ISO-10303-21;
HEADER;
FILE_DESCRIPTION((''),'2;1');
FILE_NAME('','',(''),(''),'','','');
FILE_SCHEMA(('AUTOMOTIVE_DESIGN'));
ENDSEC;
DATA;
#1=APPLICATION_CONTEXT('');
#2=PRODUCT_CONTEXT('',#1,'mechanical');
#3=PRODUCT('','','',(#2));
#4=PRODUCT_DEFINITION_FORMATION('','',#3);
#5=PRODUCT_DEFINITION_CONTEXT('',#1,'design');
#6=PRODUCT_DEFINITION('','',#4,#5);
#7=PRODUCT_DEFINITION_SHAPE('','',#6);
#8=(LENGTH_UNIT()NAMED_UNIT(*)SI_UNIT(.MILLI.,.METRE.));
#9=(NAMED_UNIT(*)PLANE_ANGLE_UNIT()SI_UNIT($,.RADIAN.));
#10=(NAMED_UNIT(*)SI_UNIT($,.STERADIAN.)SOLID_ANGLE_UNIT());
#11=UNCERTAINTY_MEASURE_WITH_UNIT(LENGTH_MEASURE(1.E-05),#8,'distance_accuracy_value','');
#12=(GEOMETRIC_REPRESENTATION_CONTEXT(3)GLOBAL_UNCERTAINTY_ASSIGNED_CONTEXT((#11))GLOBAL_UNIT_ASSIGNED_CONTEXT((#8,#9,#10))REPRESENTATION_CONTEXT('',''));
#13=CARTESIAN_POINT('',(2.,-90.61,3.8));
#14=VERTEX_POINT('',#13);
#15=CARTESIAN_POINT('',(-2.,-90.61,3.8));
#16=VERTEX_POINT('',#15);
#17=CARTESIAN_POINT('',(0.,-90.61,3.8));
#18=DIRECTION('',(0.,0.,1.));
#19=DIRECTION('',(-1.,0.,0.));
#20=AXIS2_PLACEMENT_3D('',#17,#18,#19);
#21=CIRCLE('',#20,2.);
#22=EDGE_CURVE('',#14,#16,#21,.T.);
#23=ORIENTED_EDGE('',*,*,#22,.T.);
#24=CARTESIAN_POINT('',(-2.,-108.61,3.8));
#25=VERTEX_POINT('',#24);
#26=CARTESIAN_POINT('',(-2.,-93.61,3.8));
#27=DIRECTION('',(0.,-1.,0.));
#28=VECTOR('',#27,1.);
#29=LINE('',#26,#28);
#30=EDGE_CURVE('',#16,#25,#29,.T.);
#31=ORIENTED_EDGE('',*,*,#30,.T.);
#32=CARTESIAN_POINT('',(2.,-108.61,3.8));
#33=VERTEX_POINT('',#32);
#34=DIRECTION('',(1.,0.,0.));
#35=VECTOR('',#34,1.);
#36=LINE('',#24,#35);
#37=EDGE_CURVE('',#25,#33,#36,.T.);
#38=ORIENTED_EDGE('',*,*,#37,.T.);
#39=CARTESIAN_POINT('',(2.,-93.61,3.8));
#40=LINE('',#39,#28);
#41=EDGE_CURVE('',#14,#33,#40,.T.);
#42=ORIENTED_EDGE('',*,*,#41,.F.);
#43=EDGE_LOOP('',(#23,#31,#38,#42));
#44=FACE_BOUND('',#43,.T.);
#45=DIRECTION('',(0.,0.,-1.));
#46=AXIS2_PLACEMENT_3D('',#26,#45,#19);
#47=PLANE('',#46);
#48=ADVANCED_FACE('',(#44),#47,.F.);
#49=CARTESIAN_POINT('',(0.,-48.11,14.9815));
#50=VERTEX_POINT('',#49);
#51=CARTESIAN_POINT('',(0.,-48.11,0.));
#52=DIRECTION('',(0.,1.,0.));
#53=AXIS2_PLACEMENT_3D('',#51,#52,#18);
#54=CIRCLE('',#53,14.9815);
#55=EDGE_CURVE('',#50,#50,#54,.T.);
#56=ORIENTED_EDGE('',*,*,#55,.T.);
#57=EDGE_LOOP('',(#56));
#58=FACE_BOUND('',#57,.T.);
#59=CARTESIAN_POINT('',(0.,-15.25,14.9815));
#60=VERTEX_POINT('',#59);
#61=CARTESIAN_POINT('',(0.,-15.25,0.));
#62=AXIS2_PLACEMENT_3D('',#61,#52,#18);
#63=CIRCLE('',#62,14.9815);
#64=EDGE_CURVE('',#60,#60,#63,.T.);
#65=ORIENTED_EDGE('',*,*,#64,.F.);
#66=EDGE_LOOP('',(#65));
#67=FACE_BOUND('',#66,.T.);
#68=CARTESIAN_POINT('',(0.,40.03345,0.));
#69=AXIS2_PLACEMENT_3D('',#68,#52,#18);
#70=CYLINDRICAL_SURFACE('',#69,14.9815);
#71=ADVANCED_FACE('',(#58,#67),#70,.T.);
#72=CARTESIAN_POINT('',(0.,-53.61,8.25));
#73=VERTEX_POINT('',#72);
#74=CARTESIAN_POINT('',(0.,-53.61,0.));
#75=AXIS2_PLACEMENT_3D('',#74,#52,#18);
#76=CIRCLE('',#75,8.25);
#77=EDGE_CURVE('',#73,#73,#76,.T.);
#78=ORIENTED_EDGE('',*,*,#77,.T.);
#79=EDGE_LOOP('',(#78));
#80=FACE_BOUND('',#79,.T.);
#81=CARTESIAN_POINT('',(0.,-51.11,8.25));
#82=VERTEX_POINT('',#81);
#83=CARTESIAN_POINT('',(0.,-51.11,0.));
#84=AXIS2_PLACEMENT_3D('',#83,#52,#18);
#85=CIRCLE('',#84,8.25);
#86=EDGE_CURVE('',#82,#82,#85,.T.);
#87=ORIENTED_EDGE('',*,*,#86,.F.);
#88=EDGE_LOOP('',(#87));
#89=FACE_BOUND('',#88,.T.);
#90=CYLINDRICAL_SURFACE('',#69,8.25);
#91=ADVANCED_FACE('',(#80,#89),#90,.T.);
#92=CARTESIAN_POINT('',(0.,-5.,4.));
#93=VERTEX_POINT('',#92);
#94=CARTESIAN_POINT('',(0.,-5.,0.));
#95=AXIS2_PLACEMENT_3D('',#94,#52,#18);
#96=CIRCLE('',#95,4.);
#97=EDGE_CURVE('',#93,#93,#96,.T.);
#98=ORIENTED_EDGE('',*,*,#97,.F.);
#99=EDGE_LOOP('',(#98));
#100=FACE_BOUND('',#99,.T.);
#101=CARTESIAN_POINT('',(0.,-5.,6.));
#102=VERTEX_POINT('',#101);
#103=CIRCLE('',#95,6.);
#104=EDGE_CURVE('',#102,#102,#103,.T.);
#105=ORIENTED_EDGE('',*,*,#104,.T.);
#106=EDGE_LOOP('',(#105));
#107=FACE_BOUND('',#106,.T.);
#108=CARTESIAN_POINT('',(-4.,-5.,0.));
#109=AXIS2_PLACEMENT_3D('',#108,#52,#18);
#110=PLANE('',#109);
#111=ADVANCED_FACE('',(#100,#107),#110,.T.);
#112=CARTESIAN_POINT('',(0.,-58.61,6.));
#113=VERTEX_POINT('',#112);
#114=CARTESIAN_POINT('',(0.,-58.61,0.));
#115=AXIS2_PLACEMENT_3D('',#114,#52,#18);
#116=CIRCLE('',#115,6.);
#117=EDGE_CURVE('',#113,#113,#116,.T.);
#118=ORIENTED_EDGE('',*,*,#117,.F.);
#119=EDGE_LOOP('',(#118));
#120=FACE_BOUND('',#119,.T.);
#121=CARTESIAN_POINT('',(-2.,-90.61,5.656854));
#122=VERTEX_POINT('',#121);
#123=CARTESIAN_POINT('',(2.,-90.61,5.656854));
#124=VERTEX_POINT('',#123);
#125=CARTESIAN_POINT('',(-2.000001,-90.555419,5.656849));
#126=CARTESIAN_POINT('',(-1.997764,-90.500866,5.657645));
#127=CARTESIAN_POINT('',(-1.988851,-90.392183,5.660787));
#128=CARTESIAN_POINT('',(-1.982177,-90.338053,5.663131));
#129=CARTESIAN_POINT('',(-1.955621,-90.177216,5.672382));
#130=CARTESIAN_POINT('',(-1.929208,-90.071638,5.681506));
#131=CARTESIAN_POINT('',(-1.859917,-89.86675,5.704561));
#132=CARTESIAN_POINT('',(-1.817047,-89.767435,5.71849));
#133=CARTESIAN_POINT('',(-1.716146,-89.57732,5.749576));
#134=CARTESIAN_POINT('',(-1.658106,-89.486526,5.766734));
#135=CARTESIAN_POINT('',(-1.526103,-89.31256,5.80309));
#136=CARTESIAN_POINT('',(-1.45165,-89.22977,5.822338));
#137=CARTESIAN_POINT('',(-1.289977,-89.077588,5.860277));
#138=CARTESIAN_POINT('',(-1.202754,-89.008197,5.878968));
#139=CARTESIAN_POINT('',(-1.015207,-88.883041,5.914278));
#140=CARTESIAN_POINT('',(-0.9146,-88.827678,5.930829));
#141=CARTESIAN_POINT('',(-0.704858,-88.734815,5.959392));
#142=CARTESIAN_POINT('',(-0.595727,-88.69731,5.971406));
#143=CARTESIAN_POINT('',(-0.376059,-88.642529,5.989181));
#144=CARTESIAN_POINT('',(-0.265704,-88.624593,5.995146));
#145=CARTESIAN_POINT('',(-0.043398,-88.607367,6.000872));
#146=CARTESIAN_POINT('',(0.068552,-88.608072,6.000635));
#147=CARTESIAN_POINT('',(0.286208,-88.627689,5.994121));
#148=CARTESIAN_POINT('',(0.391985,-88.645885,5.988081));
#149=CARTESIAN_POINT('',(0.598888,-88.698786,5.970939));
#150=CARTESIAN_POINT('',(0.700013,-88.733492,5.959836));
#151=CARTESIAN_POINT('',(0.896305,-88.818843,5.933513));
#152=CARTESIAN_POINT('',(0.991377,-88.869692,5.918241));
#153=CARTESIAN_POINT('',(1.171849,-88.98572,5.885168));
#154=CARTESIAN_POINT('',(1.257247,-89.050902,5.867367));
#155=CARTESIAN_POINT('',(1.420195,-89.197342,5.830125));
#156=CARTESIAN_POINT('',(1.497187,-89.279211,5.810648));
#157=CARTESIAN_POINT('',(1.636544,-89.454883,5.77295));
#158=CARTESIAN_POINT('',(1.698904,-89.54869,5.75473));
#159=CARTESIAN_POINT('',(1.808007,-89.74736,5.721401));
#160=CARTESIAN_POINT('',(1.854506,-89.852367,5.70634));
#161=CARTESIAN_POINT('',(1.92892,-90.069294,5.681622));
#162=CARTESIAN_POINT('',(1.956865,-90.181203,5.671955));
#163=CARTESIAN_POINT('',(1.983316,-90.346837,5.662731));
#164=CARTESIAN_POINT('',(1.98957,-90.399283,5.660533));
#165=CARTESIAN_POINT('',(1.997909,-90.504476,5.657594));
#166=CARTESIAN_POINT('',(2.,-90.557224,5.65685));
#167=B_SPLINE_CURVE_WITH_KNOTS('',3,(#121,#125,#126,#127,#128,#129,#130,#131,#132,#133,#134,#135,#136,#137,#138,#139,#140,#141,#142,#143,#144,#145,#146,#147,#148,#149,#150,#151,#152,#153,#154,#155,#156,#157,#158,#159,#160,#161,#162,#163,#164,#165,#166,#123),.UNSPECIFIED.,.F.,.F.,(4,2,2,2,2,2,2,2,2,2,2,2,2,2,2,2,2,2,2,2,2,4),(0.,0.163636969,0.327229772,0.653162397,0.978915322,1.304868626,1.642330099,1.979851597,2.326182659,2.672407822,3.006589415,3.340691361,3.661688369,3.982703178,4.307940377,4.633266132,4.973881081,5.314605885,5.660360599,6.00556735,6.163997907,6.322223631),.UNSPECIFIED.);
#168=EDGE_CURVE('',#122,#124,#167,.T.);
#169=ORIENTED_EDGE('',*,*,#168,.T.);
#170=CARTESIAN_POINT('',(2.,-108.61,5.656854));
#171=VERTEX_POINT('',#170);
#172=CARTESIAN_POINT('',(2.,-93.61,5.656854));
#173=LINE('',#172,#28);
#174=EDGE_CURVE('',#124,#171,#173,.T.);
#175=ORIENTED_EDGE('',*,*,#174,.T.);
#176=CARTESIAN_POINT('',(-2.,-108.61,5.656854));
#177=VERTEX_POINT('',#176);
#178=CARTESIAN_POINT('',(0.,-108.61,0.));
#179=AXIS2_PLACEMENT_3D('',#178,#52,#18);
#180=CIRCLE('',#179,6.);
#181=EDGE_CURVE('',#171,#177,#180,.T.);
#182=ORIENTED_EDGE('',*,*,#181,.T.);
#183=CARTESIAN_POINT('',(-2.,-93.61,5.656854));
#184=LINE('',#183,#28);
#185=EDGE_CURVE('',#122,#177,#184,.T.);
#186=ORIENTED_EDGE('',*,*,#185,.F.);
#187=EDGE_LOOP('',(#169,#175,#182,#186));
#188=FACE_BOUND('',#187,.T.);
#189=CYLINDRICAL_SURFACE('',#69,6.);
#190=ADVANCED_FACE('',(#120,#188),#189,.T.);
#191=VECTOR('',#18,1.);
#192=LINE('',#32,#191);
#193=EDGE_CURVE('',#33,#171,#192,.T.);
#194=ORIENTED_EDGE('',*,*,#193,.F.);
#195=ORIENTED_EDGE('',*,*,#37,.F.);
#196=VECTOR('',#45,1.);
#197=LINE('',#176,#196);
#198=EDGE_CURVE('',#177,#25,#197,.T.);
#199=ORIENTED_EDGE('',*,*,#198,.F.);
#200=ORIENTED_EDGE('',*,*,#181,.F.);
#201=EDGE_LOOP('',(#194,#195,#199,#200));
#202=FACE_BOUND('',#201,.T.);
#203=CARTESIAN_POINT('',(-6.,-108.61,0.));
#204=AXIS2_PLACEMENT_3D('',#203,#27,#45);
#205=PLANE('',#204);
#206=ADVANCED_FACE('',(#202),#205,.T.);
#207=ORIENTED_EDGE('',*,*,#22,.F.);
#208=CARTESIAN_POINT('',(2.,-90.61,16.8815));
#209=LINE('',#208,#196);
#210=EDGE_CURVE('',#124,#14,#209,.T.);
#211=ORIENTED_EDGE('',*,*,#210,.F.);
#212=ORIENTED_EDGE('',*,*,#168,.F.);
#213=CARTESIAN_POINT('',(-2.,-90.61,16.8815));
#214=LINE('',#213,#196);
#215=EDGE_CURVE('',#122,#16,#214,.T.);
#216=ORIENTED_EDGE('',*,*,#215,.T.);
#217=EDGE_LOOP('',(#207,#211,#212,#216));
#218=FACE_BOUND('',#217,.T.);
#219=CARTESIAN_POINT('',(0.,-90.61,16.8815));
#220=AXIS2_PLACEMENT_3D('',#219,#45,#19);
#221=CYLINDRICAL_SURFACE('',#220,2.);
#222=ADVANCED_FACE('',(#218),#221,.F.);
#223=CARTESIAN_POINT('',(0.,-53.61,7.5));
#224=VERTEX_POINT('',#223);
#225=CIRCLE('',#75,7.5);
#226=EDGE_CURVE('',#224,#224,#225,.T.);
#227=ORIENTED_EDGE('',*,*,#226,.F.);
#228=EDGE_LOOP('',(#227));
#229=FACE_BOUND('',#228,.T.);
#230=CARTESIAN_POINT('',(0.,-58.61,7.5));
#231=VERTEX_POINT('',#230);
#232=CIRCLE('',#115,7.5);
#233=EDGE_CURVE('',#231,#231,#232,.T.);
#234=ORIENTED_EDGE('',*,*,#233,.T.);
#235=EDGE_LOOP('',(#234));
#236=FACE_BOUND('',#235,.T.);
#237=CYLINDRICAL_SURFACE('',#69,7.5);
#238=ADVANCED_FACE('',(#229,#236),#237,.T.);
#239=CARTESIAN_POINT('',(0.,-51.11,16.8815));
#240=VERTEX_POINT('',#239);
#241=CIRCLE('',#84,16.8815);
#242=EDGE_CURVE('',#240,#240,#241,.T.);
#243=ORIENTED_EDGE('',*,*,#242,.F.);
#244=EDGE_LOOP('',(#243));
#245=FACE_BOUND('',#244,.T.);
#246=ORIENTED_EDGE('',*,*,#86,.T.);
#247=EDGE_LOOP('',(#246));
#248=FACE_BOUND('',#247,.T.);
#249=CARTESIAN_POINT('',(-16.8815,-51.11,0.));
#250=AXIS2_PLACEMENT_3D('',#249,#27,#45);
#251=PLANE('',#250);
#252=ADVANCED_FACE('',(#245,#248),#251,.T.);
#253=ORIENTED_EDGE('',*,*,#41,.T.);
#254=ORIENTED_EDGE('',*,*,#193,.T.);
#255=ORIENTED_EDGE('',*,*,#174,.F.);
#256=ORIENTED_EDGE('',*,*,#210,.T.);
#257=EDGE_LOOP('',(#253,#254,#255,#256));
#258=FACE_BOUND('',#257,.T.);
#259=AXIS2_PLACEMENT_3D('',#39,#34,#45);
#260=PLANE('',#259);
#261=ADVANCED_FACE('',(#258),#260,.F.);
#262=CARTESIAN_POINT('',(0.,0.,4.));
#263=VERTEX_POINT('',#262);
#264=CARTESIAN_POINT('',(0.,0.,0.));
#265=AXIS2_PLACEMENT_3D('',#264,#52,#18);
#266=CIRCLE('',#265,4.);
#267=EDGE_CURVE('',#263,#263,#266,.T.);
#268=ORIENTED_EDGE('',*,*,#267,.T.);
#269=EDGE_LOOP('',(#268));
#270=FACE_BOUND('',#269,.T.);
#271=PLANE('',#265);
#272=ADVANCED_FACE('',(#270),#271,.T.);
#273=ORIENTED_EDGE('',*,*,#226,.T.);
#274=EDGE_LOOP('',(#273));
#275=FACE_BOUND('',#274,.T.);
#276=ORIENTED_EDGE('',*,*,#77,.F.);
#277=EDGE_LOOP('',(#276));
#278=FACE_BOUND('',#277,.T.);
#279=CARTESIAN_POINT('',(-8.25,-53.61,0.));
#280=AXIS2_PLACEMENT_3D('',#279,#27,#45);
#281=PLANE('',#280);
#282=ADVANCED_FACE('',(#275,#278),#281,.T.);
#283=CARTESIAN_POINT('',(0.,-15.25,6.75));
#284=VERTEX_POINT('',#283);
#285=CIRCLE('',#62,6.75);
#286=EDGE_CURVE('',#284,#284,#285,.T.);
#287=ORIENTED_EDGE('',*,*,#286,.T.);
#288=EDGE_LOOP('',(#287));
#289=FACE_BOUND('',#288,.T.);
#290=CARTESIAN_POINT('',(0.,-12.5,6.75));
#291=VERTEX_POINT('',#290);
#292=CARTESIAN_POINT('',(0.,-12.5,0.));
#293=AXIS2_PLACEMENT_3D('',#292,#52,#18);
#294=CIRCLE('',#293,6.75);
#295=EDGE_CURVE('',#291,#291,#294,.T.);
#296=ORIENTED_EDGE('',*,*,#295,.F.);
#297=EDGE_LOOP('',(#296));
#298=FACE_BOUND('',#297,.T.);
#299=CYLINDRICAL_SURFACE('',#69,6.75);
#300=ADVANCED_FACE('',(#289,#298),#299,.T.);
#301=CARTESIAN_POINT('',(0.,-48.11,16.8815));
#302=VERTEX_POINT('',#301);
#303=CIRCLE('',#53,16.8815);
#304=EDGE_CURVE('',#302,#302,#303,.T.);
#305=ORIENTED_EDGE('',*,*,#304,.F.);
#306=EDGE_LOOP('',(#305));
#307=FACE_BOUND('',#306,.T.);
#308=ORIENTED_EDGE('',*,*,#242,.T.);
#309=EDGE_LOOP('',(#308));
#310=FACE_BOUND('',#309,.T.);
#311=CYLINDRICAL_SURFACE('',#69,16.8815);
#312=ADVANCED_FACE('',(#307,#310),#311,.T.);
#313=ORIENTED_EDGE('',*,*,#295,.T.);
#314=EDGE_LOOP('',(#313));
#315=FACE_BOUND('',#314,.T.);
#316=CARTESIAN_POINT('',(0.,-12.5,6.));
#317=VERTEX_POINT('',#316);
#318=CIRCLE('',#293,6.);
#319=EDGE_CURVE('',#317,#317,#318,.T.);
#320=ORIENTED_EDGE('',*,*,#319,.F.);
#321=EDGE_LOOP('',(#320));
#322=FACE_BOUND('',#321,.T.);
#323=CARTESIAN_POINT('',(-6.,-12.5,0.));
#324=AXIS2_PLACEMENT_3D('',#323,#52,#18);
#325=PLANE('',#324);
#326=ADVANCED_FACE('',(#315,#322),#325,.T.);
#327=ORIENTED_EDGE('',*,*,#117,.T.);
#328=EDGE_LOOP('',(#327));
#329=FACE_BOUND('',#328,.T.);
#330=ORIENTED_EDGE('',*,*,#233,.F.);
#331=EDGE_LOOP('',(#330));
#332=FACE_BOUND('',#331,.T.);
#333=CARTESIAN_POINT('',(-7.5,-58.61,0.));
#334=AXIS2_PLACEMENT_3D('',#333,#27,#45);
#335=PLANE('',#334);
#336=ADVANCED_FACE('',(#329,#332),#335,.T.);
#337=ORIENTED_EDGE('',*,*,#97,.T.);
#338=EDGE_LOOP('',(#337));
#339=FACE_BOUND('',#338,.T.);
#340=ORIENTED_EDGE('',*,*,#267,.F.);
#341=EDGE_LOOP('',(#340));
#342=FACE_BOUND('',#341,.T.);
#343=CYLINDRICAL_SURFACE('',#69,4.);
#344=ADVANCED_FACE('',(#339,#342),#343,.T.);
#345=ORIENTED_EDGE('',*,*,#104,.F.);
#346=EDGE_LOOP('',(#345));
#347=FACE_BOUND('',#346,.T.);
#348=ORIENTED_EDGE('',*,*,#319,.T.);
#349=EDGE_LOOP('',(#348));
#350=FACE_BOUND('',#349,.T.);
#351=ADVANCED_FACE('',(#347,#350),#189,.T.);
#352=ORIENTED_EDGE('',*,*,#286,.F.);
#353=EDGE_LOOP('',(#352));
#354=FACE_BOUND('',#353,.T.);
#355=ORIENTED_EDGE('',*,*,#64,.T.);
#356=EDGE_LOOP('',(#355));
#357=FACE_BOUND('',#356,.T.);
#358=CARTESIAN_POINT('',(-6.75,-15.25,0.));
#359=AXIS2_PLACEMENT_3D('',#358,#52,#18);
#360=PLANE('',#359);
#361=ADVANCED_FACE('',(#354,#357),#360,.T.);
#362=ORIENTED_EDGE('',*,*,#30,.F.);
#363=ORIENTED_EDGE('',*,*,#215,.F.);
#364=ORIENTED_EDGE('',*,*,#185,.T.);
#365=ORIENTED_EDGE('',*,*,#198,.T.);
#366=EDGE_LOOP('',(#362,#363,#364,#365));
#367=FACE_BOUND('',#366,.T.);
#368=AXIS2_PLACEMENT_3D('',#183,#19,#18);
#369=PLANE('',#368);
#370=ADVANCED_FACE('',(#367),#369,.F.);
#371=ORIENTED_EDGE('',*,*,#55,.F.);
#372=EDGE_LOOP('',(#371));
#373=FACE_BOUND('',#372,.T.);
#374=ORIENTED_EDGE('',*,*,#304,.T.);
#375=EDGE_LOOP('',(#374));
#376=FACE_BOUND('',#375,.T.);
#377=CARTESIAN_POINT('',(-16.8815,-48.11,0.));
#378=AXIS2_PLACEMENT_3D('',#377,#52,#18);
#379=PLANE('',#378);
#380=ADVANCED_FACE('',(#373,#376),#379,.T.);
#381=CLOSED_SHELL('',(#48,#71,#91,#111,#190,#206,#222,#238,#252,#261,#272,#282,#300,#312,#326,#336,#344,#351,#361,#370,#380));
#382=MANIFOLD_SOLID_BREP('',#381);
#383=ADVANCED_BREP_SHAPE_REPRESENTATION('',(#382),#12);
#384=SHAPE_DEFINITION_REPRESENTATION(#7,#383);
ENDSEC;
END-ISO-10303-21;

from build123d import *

# Parameters (mm, degrees)
CUT_EXTRUDE1_DEPTH = 15
CUT_EXTRUDE2_DEPTH = 112.842932653


with BuildPart() as part:
    # Sketch2 → Revolve1 (revolve)
    with BuildSketch(Plane.XY, mode=Mode.PRIVATE) as revolve1_sk:
        Polygon((0, 0), (-4, 0), (-4, -5), (-6, -5), (-6, -12.5), (-6.75, -12.5), (-6.75, -15.25), (-14.9815, -15.25), (-14.9815, -48.11), (-16.8815, -48.11), (-16.8815, -51.11), (-8.25, -51.11), (-8.25, -53.61), (-7.5, -53.61), (-7.5, -58.61), (-6, -58.61), (-6, -108.61), (0, -108.61), align=None)
    revolve(revolve1_sk.sketch.rotate(Axis((0, 40.033449689, 0), (0, -1, 0)), 270), axis=Axis((0, 40.033449689, 0), (0, -1, 0)))

    # Sketch3 → Cut-Extrude1 (cut)
    with BuildSketch(Plane.XZ.offset(108.61)):
        with BuildLine():
            Line((-2, 5.656854249), (-2, 3.8))
            Line((-2, 3.8), (2, 3.8))
            Line((2, 3.8), (2, 5.656854249))
            ThreePointArc((2, 5.656854249), (0, 6), (-2, 5.656854249))
        make_face()
    extrude(amount=-CUT_EXTRUDE1_DEPTH, mode=Mode.SUBTRACT)

    # Sketch4 → Cut-Extrude2 (cut, through all)
    with BuildSketch(Plane.XY.offset(3.8)):
        with BuildLine():
            Line((-2, -93.61), (-2, -90.61))
            ThreePointArc((-2, -90.61), (0, -88.61), (2, -90.61))
            Line((2, -90.61), (2, -93.61))
            Line((2, -93.61), (2, -108.61))
            Line((2, -108.61), (-2, -108.61))
            Line((-2, -108.61), (-2, -93.61))
        make_face()
    extrude(amount=CUT_EXTRUDE2_DEPTH, mode=Mode.SUBTRACT)


solid = part.part
